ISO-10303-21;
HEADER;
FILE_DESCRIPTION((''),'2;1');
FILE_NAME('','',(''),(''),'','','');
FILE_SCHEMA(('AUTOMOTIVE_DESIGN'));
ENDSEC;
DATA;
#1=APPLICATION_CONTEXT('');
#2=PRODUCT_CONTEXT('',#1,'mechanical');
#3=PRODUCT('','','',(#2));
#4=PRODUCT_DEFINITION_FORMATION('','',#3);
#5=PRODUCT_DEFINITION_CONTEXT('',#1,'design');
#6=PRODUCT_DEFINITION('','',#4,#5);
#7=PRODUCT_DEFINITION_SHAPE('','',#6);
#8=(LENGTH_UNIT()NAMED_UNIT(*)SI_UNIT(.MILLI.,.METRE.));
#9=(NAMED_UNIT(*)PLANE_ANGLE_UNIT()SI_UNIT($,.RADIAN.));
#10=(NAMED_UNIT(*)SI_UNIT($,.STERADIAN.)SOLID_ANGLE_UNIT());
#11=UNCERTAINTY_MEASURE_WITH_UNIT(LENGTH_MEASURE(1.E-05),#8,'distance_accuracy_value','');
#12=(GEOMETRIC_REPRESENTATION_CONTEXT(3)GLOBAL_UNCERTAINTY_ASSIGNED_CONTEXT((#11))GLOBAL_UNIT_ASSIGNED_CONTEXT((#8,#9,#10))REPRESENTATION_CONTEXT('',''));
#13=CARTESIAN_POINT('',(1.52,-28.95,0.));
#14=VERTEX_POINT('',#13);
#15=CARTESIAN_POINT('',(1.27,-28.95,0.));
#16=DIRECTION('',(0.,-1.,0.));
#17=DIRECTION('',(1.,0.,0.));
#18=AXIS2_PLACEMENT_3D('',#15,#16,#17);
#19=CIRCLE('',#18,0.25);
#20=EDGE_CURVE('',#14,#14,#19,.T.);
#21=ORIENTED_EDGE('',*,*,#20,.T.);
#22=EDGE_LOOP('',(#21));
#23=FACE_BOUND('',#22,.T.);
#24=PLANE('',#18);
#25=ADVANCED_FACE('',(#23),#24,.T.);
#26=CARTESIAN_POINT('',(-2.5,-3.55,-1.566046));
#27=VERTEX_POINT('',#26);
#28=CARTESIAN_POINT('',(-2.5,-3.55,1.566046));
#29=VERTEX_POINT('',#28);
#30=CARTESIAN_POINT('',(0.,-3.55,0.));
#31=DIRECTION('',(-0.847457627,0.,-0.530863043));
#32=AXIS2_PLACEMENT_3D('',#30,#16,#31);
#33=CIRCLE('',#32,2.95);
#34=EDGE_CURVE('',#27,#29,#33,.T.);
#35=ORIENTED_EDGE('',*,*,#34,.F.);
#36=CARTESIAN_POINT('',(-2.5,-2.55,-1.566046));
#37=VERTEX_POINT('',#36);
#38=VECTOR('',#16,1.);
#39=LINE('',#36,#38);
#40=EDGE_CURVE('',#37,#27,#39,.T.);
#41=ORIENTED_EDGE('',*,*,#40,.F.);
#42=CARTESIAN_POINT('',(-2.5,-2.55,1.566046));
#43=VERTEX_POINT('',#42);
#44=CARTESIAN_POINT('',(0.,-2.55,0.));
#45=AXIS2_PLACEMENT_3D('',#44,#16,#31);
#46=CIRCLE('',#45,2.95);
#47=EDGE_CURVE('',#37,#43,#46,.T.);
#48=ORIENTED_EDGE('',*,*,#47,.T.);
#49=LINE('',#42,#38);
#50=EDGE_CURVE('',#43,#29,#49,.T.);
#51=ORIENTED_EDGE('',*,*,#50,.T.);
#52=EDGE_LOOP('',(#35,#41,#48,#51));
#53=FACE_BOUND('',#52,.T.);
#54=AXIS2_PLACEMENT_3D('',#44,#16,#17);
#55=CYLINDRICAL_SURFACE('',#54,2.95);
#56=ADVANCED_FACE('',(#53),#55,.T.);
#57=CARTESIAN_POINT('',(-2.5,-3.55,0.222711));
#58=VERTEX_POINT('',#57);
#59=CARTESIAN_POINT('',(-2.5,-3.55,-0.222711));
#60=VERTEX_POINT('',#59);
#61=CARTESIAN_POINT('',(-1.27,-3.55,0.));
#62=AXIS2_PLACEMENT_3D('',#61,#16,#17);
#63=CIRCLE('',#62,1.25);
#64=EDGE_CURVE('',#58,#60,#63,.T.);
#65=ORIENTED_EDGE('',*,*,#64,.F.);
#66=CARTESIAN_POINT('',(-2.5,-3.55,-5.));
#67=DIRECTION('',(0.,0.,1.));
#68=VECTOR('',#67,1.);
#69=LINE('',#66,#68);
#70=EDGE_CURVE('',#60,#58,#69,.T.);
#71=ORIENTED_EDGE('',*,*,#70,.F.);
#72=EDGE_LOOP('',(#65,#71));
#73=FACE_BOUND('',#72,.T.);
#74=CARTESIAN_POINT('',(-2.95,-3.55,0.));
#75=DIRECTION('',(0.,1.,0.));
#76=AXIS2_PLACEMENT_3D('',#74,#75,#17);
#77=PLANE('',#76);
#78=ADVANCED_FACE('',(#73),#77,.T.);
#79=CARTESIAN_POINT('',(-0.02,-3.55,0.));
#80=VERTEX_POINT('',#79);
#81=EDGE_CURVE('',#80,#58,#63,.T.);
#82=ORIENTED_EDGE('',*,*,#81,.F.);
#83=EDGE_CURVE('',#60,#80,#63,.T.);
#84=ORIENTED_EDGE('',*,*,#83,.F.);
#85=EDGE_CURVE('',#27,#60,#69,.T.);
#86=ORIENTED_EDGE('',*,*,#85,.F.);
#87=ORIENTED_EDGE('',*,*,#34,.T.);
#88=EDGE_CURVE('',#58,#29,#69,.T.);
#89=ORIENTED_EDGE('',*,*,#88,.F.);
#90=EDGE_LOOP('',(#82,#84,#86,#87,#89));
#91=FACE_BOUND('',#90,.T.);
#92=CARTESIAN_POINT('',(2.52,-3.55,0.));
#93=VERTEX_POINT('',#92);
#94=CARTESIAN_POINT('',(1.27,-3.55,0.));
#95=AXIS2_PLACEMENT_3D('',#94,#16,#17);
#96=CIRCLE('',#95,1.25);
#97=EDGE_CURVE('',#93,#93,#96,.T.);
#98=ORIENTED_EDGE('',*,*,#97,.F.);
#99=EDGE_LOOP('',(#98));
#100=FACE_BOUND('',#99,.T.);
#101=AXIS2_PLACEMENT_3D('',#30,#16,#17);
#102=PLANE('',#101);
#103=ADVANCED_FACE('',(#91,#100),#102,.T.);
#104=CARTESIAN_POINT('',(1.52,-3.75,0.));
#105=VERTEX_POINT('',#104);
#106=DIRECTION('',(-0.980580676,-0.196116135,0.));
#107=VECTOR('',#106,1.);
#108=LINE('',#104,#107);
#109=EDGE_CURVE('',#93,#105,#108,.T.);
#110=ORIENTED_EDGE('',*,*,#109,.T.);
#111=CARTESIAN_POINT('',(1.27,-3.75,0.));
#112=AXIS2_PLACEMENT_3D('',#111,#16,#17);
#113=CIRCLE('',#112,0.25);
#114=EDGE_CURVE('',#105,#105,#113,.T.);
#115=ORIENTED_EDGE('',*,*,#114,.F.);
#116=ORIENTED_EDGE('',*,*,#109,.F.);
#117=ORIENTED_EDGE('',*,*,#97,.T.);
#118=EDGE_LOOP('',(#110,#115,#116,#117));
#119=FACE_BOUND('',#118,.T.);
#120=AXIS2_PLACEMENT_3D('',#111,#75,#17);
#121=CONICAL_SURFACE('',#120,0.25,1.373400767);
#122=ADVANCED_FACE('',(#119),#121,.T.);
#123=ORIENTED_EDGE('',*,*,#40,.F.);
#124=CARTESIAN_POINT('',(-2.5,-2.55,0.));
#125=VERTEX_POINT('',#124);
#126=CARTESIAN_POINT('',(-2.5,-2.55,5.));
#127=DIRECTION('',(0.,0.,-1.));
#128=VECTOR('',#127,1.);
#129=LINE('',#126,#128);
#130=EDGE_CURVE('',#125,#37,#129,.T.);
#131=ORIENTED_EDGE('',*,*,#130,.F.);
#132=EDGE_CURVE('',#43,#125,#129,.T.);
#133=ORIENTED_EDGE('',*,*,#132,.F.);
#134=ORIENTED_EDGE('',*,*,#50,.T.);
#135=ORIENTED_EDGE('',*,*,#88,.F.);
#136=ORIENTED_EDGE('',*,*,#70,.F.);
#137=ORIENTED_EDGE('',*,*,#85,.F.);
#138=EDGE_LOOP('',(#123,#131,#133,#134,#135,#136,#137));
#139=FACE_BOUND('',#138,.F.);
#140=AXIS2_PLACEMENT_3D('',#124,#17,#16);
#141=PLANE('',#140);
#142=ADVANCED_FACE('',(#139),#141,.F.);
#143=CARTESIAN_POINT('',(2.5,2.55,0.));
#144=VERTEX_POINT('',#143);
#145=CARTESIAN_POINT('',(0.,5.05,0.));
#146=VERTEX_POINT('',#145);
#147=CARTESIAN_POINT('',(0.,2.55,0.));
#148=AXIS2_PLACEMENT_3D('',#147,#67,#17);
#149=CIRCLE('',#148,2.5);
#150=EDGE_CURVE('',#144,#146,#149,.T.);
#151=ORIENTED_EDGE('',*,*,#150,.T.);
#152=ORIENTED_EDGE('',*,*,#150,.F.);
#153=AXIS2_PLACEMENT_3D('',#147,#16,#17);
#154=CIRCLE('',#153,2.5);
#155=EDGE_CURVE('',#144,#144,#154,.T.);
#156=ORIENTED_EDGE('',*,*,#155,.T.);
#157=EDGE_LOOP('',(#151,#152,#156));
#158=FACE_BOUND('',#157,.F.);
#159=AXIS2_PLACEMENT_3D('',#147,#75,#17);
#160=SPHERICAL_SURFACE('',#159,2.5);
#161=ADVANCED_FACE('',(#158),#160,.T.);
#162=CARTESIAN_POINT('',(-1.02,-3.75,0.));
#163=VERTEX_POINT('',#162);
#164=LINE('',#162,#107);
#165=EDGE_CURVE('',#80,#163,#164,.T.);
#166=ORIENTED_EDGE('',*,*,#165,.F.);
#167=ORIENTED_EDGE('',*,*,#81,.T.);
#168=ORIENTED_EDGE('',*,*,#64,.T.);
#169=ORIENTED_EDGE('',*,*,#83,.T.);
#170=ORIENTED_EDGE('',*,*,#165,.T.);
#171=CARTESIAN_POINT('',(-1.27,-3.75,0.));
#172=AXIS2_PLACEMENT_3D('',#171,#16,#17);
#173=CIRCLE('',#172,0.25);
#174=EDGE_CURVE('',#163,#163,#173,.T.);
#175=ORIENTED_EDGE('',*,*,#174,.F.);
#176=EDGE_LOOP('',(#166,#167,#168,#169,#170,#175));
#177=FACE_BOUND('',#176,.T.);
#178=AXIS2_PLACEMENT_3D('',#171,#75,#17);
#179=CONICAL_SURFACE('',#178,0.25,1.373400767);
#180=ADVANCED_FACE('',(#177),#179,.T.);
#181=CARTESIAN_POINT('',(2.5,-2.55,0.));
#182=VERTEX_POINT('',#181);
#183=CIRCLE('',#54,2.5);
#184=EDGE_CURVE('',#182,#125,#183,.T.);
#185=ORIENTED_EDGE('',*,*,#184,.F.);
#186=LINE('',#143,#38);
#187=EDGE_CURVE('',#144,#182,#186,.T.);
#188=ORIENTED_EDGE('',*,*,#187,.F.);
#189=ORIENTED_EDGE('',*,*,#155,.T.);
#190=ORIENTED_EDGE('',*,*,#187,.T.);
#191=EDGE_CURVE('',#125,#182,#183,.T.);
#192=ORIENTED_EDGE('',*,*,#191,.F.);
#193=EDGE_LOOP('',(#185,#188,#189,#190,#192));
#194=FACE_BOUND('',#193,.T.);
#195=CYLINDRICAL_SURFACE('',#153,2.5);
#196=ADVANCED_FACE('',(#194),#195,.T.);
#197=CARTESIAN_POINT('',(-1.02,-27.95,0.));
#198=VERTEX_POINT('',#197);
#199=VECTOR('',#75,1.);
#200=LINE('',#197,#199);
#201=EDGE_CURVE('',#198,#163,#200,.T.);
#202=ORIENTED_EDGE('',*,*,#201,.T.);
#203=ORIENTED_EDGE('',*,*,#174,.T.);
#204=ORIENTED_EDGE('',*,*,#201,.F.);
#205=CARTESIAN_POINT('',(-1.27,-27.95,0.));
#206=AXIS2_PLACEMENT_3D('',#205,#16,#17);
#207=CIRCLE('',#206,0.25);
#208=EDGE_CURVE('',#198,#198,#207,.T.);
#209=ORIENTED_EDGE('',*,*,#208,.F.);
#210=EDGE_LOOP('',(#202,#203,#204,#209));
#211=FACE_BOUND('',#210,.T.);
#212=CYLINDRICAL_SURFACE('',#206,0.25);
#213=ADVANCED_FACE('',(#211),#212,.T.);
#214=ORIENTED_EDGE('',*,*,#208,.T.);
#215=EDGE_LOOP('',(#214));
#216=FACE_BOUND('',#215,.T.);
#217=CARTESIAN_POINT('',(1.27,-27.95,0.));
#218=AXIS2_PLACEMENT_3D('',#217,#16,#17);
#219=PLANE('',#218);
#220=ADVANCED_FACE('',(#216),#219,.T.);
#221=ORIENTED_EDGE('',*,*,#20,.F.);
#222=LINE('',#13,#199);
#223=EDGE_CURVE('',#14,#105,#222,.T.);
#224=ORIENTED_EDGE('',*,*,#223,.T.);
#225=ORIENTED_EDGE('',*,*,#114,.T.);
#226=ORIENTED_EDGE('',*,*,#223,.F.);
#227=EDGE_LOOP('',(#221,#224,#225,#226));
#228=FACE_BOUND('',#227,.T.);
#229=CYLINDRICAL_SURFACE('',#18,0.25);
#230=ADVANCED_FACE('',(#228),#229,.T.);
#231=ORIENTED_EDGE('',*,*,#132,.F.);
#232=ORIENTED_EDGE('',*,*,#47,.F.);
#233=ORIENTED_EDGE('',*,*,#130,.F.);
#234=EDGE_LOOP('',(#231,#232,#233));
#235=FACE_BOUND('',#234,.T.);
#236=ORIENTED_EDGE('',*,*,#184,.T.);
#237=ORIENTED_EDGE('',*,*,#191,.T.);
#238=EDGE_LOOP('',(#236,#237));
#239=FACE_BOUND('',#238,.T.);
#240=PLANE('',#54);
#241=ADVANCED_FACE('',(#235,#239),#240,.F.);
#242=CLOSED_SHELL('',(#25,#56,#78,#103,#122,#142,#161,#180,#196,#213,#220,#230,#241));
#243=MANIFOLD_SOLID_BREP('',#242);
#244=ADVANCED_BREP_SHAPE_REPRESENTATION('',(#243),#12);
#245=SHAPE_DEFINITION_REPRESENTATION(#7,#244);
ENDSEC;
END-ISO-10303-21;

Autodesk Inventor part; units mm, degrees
ref_plane "YZ Plane" through (0, 0, 0) normal (1, 0, 0) x (0, 1, 0)
sketch "Sketch1" plane through (0, 0, 0) normal (0, 0, 1) x (1, 0, 0)
  line L0 (2.5, -2.55) -> (-2.5, -2.55)
  line L1 (-2.5, -2.55) -> (-2.5, 2.55)
  line L2 (-2.5, 2.55) -> (2.5, 2.55)
  line L3 (2.5, 2.55) -> (2.5, -2.55)
  line L4 (2.5, -2.55) -> (-2.5, 2.55) construction
  line L5 (-2.5, -2.55) -> (2.5, 2.55) construction
  arc A0 (2.5, 2.55) -> (-2.5, 2.55) centre (0, 2.55) ccw
  line L6 (-2.95, -2.55) -> (2.95, -2.55)
  line L7 (2.95, -2.55) -> (2.95, -3.55)
  line L8 (2.95, -3.55) -> (-2.95, -3.55)
  line L9 (-2.95, -3.55) -> (-2.95, -2.55)
  line L10 (0, 5.05) -> (0, -3.55)
  point P0 (0, 0)
  point P1 (0, -2.55)
  point P2 (0, -2.55)
  dimension "d0" = 5
  dimension "d1" = 1
  dimension "d2" = 5.9
  dimension "d3" = 8.6
revolve "Revolution1" add sketch "Sketch1" angle 360 about axis through (0, 5.05, 0) along (0, -1, 0) picked at (1.5632, 3.097) contours L6 L7 L8 L10 L0 | L0 L10 L2 L3 | L2 L10 A0
sketch "Sketch2" plane through (0, 0, 0) normal (0, 0, 1) x (1, 0, 0)
  line L0 (-2.95, -3.55) -> (2.95, -3.55) projected
  line L1 (-1.27, -3.55) -> (-1.27, -27.95)
  line L2 (1.27, -3.55) -> (1.27, -28.95)
  line L3 (-2.95, -2.55) -> (2.95, -2.55) projected
  line L4 (-2.95, -2.55) -> (-2.95, -3.55) projected
  line L5 (-2.5, 2.55) -> (-2.5, -2.55) projected
  line L6 (-2.5, -2.55) -> (-2.5, -3.55)
  point P0 (0, 0)
  point P1 (0, -3.55)
  dimension "d5" = 2.54
  dimension "d6" = 1.27
  dimension "d7" = 25.4
  dimension "d8" = 1
ref_plane "Work Plane1" through (1.27, -28.95, 0) normal (0, -1, 0) x (1, 0, 0)
ref_plane "Work Plane2" through (-1.27, -27.95, 0) normal (0, -1, 0) x (1, 0, 0)
sketch "Sketch3" plane through (1.27, -28.95, 0) normal (0, -1, 0) x (1, 0, 0)
  circle A0 centre (0, 0) radius 0.25
  circle A1 centre (-2.54, 0) radius 0.25
  point P0 (-1.27, 0)
  dimension "d9" = 0.5
extrude "Extrusion1" add sketch "Sketch3" against normal up to surface (25.4 mm away) contours A0
extrude "Extrusion2" add sketch "Sketch3" against normal up to surface (24.4 mm away) from surface at -1 contours A1
chamfer "Chamfer1" distance 1 distance2 0.2 1 edges at (-1.52, -3.55, 0) measured on face at (0.1185, -3.55, -1.0867)
chamfer "Chamfer2" distance 1 distance2 0.2 1 edges at (1.02, -3.55, 0) measured on face at (0.8409, -3.55, -1.1635)
extrude "Extrusion3" cut sketch "Sketch2" along normal mid plane 10
equation "\"d6\" = 0.5 * d5"
properties part number "5mm_LED_Green"
